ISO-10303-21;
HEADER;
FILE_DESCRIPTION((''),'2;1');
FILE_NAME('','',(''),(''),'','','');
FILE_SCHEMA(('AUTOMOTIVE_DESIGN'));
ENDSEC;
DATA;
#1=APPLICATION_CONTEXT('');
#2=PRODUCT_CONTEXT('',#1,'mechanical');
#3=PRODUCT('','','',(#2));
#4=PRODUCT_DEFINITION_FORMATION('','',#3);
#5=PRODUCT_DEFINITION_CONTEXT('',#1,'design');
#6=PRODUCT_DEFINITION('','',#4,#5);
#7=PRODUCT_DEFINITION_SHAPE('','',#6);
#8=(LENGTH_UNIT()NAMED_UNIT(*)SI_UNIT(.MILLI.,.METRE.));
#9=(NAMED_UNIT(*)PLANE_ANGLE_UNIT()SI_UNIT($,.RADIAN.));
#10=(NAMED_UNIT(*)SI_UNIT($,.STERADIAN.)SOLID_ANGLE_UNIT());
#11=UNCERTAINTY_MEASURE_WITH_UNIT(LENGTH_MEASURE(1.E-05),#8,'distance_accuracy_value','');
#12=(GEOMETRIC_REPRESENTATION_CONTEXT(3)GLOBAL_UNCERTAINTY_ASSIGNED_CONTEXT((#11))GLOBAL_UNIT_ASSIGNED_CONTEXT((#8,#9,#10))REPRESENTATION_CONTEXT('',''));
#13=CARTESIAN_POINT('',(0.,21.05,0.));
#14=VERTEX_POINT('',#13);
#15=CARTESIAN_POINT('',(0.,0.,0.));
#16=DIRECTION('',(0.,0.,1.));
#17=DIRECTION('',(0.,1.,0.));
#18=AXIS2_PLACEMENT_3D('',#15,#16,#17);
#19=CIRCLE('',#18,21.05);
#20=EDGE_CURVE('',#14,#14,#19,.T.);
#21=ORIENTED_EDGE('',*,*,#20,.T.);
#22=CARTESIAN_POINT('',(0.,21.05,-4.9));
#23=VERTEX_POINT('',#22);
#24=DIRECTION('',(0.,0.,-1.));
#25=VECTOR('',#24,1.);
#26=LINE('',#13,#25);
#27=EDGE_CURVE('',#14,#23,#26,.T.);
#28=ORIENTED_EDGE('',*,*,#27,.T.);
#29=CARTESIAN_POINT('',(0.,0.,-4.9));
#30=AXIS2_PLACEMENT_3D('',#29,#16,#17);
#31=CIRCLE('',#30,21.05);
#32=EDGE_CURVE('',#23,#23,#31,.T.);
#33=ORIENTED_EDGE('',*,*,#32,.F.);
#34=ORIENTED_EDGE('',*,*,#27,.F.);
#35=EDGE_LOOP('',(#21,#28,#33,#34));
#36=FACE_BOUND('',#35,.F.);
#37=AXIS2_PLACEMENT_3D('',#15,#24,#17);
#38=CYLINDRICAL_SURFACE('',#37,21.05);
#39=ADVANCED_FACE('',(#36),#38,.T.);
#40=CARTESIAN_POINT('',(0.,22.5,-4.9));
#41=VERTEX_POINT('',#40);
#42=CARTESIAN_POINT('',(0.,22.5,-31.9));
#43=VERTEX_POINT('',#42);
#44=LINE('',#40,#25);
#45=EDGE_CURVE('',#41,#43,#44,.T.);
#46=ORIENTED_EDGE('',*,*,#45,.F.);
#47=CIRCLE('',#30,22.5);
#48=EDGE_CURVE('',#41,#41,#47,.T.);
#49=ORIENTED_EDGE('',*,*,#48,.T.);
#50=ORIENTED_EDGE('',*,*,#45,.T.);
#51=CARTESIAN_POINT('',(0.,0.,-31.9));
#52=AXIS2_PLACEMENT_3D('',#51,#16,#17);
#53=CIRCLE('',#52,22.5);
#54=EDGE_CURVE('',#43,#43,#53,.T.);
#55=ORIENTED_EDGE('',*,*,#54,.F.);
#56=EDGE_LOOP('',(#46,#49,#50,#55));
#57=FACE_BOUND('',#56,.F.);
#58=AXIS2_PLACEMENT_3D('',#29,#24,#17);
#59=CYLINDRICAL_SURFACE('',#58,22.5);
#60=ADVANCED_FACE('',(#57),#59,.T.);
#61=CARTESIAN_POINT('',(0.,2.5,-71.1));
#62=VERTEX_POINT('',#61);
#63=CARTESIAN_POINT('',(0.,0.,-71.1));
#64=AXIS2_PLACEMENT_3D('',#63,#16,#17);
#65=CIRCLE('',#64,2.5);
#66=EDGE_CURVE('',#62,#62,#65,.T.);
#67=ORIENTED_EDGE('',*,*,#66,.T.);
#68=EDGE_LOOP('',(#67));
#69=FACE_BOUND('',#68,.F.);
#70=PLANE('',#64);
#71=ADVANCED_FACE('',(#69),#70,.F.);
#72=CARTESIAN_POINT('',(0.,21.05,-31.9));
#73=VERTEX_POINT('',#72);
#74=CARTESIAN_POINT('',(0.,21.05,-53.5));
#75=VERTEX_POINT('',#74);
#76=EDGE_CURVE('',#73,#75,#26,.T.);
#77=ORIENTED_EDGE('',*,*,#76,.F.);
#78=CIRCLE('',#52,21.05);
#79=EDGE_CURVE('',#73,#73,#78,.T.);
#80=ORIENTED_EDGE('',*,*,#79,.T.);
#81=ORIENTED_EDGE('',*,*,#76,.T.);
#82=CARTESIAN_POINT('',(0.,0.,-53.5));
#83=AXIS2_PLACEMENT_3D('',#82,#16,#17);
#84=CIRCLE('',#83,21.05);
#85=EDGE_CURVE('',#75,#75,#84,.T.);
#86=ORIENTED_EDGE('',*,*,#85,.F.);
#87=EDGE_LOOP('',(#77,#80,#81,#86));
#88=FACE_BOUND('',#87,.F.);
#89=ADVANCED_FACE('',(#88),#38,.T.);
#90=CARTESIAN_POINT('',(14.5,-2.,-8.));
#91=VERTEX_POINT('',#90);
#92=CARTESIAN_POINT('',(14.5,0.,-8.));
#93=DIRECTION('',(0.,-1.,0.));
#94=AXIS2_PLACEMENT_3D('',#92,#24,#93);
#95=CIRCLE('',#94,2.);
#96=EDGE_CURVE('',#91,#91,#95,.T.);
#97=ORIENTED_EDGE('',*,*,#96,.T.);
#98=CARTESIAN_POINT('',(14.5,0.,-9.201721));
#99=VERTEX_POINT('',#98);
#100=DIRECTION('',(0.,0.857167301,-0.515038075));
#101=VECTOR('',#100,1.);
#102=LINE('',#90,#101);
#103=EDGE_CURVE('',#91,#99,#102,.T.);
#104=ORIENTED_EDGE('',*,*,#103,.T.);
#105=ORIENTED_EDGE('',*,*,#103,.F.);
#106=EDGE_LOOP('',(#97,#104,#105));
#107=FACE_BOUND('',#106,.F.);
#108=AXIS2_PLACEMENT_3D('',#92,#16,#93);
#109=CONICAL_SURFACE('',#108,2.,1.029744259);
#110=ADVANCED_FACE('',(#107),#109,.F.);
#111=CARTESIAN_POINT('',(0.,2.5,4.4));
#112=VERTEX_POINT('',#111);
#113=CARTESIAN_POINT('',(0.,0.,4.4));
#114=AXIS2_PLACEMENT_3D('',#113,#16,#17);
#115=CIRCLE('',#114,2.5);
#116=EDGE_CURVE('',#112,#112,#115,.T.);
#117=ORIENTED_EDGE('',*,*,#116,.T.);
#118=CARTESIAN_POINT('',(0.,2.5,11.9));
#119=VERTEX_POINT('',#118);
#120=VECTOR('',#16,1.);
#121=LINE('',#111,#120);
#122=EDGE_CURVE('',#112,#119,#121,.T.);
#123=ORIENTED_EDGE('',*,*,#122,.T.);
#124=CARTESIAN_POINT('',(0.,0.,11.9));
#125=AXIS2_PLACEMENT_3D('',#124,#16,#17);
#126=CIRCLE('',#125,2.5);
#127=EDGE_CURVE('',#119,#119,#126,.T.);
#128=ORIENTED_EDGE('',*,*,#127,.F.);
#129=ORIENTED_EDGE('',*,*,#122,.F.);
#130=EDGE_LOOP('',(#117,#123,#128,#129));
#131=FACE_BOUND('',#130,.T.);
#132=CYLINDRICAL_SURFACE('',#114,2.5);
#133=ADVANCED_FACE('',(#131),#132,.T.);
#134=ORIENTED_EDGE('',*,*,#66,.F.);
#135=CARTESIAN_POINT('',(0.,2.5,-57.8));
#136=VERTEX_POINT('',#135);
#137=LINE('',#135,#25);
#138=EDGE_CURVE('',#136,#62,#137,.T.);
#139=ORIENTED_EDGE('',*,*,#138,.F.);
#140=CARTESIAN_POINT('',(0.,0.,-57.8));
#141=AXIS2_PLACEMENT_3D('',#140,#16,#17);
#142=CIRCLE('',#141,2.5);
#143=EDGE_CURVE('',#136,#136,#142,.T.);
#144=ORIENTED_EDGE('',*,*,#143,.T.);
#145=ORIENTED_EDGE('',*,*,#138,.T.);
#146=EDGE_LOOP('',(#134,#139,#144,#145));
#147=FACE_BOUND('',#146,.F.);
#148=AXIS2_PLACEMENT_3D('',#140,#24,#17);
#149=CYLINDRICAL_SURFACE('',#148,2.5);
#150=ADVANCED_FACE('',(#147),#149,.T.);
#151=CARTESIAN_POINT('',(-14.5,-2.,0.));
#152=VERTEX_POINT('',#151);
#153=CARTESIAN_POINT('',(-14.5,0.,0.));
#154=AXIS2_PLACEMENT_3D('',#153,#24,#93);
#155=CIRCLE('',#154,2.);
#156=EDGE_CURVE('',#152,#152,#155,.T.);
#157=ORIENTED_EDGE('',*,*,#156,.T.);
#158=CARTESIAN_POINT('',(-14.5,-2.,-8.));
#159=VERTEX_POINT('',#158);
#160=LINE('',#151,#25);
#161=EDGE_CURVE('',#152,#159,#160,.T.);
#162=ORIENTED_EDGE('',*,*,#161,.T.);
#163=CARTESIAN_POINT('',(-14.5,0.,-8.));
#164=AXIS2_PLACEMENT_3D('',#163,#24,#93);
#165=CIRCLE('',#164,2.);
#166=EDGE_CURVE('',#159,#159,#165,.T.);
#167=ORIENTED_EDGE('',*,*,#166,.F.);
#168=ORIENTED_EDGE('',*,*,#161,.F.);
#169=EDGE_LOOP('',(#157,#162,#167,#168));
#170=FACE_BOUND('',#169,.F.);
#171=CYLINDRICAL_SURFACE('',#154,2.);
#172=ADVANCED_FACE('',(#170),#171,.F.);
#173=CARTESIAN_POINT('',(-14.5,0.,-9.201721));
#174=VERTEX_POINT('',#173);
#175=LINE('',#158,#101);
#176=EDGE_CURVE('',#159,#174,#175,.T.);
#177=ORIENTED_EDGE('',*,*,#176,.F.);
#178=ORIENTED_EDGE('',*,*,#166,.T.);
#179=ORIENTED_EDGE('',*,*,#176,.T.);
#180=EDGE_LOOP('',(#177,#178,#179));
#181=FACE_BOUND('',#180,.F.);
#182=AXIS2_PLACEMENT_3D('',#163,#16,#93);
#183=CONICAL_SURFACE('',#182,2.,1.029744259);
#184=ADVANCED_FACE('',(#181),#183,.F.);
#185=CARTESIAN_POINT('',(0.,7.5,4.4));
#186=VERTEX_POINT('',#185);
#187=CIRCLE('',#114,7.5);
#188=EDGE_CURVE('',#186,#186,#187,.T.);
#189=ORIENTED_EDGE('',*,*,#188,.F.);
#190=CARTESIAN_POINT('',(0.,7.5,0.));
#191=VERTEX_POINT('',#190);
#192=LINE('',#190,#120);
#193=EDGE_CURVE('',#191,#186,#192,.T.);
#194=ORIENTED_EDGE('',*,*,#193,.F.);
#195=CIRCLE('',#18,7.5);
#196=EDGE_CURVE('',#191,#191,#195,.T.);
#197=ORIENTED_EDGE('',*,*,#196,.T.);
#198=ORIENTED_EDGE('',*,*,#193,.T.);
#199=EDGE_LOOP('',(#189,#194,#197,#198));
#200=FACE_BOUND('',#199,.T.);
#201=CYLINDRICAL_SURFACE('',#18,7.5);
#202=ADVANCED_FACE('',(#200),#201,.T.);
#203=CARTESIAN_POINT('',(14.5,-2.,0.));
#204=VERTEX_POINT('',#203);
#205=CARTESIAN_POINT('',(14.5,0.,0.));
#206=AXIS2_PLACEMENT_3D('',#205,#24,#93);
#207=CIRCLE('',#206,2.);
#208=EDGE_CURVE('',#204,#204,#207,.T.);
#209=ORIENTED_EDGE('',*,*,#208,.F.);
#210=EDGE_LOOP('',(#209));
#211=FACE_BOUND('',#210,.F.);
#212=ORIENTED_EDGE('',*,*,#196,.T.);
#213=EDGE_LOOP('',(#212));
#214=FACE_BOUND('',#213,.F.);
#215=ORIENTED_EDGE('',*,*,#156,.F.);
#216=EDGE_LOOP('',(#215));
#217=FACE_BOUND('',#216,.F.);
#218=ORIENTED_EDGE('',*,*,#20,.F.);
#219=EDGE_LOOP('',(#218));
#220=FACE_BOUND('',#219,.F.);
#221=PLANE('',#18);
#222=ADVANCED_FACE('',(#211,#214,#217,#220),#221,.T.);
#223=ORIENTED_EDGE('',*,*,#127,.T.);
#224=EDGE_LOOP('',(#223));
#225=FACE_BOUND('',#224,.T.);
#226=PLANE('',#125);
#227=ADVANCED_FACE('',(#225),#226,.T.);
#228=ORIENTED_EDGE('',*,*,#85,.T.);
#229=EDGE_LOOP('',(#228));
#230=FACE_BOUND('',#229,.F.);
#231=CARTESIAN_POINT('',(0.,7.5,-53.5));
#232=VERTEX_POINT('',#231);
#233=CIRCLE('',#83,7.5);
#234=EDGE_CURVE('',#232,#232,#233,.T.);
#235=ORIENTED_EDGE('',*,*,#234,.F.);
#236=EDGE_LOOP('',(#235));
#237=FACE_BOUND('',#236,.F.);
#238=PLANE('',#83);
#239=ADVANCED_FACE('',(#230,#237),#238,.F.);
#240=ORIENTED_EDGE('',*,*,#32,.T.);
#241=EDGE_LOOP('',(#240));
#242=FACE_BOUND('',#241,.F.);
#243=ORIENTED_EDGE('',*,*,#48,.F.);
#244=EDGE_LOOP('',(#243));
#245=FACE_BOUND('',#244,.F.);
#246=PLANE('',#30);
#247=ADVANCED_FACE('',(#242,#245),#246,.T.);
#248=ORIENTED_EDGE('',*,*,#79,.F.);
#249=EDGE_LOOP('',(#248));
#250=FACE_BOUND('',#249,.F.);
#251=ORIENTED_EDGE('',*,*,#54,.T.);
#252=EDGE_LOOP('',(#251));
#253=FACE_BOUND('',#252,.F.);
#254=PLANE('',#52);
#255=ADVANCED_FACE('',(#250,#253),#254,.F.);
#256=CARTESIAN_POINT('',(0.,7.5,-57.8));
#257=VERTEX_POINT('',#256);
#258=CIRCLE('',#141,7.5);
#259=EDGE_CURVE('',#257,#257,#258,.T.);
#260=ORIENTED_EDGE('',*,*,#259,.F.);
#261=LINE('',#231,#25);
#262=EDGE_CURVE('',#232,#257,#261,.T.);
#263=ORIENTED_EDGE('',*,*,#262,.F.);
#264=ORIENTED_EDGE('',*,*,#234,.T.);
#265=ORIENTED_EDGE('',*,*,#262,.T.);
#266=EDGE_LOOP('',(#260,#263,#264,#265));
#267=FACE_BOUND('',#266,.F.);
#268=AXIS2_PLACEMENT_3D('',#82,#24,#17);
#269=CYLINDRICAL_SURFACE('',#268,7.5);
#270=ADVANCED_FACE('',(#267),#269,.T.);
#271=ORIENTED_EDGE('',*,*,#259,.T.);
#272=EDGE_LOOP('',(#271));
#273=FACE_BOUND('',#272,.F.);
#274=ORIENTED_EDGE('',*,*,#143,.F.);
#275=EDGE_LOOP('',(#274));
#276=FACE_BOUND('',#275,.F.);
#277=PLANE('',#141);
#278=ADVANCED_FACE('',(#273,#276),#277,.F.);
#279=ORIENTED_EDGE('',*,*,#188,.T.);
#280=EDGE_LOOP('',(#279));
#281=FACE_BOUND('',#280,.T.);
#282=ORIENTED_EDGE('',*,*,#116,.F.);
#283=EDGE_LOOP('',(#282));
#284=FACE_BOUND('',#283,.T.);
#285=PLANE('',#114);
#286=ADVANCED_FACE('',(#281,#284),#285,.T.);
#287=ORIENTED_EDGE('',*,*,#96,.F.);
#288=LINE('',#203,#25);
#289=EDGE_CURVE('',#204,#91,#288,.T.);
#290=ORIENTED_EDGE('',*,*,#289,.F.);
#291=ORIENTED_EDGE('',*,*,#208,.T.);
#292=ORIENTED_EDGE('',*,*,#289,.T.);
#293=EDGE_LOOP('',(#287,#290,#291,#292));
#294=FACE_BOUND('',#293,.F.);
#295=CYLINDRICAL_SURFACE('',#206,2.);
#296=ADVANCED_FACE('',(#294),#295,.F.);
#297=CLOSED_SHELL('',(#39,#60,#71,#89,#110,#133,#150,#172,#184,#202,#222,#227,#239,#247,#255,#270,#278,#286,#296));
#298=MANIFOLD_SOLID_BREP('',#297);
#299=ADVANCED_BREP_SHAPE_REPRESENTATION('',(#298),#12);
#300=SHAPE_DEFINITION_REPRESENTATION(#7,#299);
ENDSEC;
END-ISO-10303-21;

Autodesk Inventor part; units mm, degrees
ref_plane "YZ Plane" through (0, 0, 0) normal (1, 0, 0) x (0, 1, 0)
ref_plane "XZ Plane" through (0, 0, 0) normal (0, 1, 0) x (-1, 0, 0)
ref_plane "XY Plane" through (0, 0, 0) normal (0, 0, 1) x (1, 0, 0)
sketch "スケッチ1" plane through (0, 0, 0) normal (1, 0, 0) x (0, 1, 0)
  line L0 (0, 0) -> (21.05, 0)
  line L1 (21.05, 0) -> (21.05, -53.5)
  line L2 (21.05, -53.5) -> (0, -53.5)
  line L3 (0, -53.5) -> (0, 0)
  line L4 (0, -53.5) -> (7.5, -53.5)
  line L5 (7.5, -53.5) -> (7.5, -57.8)
  line L6 (7.5, -57.8) -> (0, -57.8)
  line L7 (0, -57.8) -> (0, -53.5)
  line L8 (0, -57.8) -> (2.5, -57.8)
  line L9 (2.5, -57.8) -> (2.5, -71.1)
  line L10 (2.5, -71.1) -> (0, -71.1)
  line L11 (0, -71.1) -> (0, -57.8)
  line L12 (0, 0) -> (7.5, 0)
  line L13 (7.5, 0) -> (7.5, 4.4)
  line L14 (7.5, 4.4) -> (0, 4.4)
  line L15 (0, 4.4) -> (0, 0)
  line L16 (0, 4.4) -> (2.5, 4.4)
  line L17 (2.5, 4.4) -> (2.5, 11.9)
  line L18 (2.5, 11.9) -> (0, 11.9)
  line L19 (0, 11.9) -> (0, 4.4)
  line L20 (0, -4.9) -> (22.5, -4.9)
  line L21 (22.5, -4.9) -> (22.5, -31.9)
  line L22 (22.5, -31.9) -> (0, -31.9)
  line L23 (0, -31.9) -> (0, -4.9)
  point P0 (1.25, -71.1)
  point P1 (3.75, -53.5)
  point P2 (21.05, -4.9)
  point P3 (21.05, -31.9)
  dimension "d0" = 2.5
  dimension "d1" = 11.9
  dimension "d2" = 4.4
  dimension "d3" = 7.5
  dimension "d4" = 21.05
  dimension "d5" = 22.5
  dimension "d6" = 53.5
  dimension "d8" = 17.6
  dimension "d9" = 4.3
  dimension "d10" = 2.5
  dimension "d11" = 4.9
  dimension "d12" = 27
revolve "回転1" add sketch "スケッチ1" angle 360 about axis through (0, 0, -31.9) along (0, 0, 1)
sketch "スケッチ2" plane through (0, 0, 0) normal (0, 0, 1) x (1, 0, 0)
  circle A0 centre (0, 0) radius 14.5
  point P0 (14.5, 0)
  point P1 (-14.5, 0)
  dimension "d14" = 29
hole "穴1" at (14.5, 0, 0) at (-14.5, 0, 0) direction (0, 0, -1) diameter 4 depth 8 tip angle 118
thread "ねじ1" size "M4x0.7" class "6H" standard "ANSI Metric M Profile" full length
thread "ねじ2" size "M4x0.7" class "6H" standard "ANSI Metric M Profile" full length
properties part number "RZ735" material "ステンレス鋼"
